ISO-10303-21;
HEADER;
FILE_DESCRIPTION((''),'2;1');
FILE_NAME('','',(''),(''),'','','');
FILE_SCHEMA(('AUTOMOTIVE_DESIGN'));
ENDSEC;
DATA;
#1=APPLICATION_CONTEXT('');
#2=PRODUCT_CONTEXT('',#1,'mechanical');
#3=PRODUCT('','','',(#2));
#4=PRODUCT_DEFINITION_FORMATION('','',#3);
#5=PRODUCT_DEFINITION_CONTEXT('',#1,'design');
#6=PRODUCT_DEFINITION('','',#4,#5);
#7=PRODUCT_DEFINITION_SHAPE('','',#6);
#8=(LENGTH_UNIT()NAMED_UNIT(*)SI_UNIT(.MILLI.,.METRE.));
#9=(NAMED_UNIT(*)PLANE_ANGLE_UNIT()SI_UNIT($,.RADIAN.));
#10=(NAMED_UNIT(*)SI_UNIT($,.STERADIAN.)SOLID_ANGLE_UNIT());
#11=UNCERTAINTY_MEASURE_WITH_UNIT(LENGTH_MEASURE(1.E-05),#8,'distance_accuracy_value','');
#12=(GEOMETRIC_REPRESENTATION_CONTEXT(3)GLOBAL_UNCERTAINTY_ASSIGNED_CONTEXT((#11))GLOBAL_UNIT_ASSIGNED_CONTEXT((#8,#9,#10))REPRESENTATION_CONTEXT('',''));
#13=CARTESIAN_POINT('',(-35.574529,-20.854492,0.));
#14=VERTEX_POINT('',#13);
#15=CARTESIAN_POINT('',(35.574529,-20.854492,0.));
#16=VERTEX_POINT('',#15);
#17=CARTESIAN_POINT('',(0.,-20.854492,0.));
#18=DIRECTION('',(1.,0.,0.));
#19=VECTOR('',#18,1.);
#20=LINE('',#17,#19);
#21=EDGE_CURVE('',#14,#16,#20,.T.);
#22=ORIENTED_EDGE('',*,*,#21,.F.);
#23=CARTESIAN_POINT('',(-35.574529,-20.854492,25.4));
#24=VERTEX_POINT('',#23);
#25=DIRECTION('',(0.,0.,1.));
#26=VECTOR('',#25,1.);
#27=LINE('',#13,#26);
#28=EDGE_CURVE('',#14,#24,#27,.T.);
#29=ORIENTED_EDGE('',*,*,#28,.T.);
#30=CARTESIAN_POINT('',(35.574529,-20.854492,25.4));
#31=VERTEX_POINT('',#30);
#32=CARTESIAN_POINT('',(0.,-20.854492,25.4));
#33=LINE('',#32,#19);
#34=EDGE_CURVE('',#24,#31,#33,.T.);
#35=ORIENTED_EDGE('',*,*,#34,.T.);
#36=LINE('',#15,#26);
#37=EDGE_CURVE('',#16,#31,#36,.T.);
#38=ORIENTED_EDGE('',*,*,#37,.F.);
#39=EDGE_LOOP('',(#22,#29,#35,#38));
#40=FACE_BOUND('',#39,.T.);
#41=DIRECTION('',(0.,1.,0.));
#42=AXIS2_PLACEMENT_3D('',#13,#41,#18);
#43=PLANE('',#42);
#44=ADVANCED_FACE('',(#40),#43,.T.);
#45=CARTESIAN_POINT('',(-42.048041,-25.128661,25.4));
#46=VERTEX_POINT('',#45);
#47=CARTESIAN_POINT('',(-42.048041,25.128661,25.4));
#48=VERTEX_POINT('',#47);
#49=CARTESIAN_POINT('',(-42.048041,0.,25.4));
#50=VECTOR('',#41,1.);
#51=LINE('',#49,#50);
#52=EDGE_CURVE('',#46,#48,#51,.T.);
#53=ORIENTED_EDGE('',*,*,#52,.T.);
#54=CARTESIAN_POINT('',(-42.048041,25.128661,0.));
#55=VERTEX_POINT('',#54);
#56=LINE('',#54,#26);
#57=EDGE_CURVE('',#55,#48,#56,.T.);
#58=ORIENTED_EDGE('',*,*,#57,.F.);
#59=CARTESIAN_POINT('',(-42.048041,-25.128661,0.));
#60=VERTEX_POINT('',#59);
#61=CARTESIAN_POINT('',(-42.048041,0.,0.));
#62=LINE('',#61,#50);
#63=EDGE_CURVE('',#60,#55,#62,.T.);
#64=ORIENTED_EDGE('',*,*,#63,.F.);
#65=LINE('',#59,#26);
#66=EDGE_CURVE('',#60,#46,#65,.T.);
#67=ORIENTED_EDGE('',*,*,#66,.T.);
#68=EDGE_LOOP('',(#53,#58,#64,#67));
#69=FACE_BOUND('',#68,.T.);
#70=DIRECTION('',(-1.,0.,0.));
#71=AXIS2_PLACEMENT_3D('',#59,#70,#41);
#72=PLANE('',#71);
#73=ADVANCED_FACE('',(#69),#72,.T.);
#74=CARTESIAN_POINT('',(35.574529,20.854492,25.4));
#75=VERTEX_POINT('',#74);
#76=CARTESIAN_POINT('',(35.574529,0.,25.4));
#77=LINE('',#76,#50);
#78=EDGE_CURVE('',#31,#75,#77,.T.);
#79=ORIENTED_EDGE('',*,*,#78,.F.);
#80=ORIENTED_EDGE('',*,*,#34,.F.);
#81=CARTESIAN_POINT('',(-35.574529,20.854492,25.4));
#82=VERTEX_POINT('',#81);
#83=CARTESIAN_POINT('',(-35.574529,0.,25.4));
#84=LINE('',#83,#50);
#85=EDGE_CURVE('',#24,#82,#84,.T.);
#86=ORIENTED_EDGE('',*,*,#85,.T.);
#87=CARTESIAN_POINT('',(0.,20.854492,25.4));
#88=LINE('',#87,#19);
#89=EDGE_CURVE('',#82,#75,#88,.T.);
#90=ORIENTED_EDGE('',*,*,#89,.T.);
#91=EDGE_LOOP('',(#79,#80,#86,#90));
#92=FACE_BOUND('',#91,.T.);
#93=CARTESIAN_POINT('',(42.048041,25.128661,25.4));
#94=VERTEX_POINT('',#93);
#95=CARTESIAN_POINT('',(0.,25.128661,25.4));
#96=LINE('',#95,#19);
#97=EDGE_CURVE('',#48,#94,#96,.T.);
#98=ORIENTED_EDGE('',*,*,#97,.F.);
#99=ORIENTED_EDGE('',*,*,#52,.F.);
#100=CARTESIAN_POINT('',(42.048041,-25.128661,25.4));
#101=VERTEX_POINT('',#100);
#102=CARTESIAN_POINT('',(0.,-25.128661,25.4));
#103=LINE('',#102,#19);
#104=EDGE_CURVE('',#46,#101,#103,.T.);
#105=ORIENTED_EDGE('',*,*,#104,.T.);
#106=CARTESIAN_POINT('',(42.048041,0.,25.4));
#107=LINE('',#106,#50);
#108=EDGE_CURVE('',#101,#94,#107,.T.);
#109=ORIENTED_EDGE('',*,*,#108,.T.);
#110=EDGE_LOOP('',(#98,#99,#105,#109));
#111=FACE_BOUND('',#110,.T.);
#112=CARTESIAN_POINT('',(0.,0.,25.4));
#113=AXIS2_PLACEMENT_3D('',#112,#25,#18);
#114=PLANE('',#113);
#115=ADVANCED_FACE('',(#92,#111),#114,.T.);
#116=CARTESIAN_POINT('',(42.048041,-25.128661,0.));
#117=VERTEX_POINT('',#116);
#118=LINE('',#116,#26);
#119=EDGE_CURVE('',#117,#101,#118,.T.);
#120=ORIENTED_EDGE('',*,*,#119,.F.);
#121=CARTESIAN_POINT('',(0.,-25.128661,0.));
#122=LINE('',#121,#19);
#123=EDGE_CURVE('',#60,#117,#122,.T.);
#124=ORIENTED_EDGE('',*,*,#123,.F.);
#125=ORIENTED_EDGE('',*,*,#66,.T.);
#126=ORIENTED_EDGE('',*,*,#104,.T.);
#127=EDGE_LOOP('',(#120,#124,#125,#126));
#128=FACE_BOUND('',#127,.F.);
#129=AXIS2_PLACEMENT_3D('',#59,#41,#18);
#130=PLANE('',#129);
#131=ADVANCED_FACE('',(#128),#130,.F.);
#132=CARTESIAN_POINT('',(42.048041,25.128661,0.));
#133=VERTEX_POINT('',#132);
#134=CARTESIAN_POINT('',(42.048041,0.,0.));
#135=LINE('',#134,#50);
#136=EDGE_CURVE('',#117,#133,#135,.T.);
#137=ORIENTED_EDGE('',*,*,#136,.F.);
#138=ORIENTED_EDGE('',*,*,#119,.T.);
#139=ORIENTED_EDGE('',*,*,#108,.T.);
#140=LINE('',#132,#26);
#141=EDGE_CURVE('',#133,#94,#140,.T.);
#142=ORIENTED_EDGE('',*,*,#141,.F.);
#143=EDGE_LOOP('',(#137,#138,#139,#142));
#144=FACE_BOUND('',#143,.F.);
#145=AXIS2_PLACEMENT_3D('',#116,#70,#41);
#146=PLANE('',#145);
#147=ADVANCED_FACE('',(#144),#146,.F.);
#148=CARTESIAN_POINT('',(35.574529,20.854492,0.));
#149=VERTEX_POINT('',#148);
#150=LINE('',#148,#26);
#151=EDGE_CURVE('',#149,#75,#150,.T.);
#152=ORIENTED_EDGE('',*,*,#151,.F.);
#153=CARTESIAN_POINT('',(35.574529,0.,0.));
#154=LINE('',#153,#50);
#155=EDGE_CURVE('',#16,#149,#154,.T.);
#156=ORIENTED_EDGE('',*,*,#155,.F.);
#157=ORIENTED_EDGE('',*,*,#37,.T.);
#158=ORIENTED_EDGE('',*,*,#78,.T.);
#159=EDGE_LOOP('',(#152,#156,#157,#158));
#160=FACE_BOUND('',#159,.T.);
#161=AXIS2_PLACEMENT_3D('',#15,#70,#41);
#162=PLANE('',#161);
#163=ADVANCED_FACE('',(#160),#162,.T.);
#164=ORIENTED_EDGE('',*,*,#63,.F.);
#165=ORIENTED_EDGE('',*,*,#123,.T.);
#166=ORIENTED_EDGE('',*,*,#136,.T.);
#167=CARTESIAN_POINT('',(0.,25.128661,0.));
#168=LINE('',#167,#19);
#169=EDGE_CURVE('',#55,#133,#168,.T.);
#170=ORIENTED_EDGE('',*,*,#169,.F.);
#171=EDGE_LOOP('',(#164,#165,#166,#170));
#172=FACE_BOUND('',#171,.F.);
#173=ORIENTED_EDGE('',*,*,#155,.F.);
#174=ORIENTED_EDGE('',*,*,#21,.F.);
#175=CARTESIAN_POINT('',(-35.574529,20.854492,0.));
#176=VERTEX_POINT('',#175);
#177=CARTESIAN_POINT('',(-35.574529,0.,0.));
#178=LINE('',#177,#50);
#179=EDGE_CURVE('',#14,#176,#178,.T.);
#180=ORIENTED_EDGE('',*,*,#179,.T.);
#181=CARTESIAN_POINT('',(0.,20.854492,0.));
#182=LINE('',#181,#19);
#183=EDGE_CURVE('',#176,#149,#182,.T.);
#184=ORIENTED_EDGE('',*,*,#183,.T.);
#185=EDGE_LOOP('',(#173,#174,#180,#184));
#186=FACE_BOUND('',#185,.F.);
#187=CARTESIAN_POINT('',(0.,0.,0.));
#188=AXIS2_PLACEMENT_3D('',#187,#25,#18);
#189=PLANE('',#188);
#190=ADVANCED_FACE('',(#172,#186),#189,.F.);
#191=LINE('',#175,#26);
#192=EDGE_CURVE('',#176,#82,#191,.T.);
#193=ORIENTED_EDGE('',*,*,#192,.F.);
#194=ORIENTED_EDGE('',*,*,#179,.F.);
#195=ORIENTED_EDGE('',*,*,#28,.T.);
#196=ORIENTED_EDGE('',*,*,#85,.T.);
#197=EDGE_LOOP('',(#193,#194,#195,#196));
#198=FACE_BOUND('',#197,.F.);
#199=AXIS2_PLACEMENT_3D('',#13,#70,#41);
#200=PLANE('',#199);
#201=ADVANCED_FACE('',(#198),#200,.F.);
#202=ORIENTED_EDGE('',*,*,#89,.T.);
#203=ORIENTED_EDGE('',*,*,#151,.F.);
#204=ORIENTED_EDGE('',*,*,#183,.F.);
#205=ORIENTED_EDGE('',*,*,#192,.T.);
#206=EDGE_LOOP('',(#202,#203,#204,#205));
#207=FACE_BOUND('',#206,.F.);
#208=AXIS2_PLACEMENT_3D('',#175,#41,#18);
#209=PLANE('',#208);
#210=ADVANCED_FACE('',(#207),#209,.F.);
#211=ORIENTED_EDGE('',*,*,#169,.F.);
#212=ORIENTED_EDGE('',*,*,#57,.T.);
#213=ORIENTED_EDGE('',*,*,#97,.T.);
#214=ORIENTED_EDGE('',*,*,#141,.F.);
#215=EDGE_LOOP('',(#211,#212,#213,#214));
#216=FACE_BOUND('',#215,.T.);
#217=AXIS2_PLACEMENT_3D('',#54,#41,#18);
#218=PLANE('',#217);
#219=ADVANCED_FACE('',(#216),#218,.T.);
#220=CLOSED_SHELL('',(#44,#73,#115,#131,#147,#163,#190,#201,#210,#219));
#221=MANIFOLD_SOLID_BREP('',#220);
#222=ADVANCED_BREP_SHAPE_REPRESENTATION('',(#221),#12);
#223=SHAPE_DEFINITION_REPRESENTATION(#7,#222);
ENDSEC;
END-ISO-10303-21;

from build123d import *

# Parameters (mm, degrees)
F1_W     = 84.096082
F1_H     = 50.257322
F1_W_2   = 71.149058
F1_H_2   = 41.708984
F2_DEPTH = 25.4


with BuildPart() as f2:
    # F1 (on face) → F2 (new body)
    with BuildSketch(Plane.XY):
        Rectangle(F1_W, F1_H)
        Rectangle(F1_W_2, F1_H_2, mode=Mode.SUBTRACT)
    extrude(amount=F2_DEPTH)


solid = f2.part
